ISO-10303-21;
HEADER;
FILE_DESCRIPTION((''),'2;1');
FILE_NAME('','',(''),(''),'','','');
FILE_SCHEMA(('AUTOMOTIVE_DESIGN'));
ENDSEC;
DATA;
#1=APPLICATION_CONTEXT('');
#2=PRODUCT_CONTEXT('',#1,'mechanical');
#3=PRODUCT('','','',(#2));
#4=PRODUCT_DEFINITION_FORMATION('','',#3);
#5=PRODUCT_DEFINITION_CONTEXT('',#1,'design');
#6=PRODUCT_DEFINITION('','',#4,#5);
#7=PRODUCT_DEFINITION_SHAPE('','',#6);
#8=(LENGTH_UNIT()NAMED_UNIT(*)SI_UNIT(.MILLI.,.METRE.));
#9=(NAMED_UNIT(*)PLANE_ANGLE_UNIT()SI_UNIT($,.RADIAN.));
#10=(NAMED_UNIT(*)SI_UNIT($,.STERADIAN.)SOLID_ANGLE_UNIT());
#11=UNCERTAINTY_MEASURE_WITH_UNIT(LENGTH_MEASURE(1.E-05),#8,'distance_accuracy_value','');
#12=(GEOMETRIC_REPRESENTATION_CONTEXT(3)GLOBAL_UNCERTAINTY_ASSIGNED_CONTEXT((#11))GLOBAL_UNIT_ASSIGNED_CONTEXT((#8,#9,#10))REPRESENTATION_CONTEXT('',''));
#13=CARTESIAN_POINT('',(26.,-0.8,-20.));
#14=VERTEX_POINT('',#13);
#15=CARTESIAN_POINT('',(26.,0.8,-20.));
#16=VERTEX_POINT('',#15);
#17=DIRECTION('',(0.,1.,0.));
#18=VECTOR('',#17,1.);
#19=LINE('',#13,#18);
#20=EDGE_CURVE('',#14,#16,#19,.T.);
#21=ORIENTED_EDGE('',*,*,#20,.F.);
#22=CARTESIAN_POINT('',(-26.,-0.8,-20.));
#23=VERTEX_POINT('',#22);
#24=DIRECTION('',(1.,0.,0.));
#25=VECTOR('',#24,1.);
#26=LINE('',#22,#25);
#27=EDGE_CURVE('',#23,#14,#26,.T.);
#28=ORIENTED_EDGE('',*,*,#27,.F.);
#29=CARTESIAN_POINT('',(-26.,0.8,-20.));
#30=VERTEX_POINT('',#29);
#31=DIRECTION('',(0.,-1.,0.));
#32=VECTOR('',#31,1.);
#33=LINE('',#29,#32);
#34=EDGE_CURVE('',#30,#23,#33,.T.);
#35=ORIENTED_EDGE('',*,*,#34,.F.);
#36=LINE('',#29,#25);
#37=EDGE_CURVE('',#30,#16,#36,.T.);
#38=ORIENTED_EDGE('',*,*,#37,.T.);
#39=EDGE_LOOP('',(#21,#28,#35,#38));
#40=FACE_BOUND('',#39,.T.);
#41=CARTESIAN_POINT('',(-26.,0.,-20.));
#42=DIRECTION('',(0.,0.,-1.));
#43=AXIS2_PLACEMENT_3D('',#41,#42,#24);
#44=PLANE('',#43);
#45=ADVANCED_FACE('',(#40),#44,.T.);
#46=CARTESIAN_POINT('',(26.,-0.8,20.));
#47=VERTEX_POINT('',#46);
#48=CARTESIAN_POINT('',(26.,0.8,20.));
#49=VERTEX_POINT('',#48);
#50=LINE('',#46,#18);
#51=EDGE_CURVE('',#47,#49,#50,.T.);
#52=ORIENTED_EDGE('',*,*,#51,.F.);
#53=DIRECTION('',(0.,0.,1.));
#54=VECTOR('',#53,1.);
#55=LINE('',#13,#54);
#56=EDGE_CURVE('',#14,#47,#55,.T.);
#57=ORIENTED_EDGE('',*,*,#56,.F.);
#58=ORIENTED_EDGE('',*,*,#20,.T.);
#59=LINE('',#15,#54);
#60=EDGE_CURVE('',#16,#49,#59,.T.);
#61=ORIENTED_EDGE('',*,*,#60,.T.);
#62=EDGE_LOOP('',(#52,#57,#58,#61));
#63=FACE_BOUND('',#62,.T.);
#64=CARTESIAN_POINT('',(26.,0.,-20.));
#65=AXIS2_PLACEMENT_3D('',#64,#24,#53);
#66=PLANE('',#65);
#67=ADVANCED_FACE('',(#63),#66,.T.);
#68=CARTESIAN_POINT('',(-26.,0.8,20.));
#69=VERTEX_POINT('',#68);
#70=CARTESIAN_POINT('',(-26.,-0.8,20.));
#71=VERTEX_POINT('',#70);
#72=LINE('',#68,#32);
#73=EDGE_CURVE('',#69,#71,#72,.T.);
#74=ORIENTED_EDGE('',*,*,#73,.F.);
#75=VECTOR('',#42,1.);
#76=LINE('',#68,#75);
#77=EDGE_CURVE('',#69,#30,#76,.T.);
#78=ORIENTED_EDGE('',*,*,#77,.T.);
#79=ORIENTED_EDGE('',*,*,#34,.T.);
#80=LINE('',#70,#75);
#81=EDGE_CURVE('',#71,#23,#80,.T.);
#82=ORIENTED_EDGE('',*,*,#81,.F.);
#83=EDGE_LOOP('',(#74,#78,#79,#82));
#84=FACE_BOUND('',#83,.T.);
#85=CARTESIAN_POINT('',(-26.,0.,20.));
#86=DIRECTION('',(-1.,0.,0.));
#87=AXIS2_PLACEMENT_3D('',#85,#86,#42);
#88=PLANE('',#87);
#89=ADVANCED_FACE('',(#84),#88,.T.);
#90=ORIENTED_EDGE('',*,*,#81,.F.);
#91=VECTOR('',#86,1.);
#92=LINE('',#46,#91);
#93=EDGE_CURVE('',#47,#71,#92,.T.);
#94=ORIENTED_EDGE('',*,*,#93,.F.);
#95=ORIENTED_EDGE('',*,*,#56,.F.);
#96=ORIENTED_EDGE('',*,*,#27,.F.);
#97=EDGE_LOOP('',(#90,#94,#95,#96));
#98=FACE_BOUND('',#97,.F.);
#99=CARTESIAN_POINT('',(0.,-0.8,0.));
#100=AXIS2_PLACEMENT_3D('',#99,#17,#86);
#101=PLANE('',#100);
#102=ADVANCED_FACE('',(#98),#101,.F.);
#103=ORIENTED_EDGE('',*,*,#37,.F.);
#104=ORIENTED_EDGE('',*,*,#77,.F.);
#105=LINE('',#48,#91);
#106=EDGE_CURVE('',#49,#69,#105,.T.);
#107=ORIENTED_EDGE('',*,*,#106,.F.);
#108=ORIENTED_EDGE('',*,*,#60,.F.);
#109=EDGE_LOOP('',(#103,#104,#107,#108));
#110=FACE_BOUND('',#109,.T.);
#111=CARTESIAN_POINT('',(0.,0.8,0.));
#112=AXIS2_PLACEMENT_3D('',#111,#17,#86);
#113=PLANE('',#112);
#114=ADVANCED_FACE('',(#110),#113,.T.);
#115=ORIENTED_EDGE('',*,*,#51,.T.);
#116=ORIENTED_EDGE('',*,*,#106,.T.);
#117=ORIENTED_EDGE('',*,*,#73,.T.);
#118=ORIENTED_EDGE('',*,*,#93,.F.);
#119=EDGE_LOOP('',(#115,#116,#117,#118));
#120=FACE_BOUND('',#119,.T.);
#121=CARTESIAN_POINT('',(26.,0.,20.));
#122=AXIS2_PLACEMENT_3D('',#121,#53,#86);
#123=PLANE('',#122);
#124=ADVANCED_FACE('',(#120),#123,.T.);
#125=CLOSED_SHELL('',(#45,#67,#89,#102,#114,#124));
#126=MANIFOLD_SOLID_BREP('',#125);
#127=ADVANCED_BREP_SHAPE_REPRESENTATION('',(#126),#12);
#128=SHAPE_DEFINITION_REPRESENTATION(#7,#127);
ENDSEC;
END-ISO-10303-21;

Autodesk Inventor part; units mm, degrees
ref_plane "YZ Plane" through (0, 0, 0) normal (1, 0, 0) x (0, 1, 0)
ref_plane "XZ Plane" through (0, 0, 0) normal (0, 1, 0) x (-1, 0, 0)
ref_plane "XY Plane" through (0, 0, 0) normal (0, 0, 1) x (1, 0, 0)
sketch "Sketch2" plane through (0, 0, 0) normal (0, 1, 0) x (-1, 0, 0)
  line L0 (-26, 20) -> (26, 20)
  line L1 (26, 20) -> (26, -20)
  line L2 (26, -20) -> (-26, -20)
  line L3 (-26, -20) -> (-26, 20)
  point P0 (0, 0)
  point P1 (0, 20)
  point P2 (26, 0)
  dimension "d0" = 40
  dimension "d1" = 52
extrude "Extrusion1" add sketch "Sketch2" along normal mid plane 1.6
properties part number "11036-LCD" material "ABS Plastic"
